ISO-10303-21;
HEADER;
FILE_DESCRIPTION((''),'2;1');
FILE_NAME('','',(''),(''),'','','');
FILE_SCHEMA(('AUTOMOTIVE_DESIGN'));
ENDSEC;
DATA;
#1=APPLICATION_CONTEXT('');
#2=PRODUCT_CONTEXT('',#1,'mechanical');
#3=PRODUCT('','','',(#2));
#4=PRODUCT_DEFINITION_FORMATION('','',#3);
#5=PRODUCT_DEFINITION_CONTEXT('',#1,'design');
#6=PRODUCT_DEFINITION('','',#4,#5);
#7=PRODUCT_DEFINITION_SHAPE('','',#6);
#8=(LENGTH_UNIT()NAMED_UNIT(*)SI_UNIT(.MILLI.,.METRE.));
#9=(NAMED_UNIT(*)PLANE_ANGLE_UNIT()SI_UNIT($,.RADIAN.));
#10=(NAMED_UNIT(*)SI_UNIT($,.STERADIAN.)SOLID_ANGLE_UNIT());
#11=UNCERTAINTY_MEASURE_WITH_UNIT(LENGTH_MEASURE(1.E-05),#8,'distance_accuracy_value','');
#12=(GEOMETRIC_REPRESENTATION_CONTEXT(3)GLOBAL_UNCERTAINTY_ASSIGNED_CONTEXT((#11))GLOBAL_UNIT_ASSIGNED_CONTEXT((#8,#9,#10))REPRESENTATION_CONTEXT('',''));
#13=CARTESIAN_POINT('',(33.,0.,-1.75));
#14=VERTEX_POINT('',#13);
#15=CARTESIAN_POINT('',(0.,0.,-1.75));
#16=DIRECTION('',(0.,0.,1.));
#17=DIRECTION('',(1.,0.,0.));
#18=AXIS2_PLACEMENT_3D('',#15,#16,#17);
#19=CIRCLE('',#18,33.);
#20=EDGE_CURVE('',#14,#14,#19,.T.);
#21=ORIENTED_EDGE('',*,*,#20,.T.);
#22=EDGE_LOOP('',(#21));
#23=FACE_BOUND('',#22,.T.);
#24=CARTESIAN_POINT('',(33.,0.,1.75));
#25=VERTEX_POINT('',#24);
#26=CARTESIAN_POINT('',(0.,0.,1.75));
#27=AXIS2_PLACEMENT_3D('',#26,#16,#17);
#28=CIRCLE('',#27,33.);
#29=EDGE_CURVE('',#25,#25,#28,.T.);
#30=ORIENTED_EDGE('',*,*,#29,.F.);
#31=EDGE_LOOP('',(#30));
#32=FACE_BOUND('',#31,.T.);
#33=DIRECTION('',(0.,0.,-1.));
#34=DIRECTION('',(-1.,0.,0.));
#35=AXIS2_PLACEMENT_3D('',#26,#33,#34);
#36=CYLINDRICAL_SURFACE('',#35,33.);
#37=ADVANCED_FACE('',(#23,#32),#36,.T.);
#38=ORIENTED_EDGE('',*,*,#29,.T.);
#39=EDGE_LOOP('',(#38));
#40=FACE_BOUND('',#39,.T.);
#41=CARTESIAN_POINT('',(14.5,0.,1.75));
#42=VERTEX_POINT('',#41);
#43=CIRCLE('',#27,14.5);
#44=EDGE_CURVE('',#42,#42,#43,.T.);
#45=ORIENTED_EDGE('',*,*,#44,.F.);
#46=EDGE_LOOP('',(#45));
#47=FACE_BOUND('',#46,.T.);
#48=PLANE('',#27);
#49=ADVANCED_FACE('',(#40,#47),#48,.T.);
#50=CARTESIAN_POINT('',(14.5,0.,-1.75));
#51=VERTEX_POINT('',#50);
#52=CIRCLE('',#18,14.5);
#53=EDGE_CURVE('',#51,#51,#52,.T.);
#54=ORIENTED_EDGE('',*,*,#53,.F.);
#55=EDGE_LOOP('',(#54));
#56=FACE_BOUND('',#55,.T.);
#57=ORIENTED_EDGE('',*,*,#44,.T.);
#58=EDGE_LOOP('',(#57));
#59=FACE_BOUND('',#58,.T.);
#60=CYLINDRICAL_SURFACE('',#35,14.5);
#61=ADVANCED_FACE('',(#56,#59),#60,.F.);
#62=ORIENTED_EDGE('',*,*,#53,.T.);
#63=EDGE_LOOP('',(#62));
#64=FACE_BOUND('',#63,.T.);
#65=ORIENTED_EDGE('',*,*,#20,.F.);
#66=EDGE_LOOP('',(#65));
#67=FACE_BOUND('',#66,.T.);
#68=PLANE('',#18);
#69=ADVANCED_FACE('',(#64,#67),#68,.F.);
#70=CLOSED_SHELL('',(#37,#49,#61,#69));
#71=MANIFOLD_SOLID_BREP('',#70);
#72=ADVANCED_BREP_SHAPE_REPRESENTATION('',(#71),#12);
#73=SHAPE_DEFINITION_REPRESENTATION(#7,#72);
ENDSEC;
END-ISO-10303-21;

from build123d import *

# Parameters (mm, degrees)
SKETCH_1_R      = 33
SKETCH_1_R_2    = 14.5
EXTRUDE_1_DEPTH = 1.75


with BuildPart() as part:
    # 草图1 → 凸台-拉伸1 (new, symmetric)
    with BuildSketch(Plane.XY):
        Circle(SKETCH_1_R)
        Circle(SKETCH_1_R_2, mode=Mode.SUBTRACT)
    extrude(amount=EXTRUDE_1_DEPTH, both=True)


solid = part.part
